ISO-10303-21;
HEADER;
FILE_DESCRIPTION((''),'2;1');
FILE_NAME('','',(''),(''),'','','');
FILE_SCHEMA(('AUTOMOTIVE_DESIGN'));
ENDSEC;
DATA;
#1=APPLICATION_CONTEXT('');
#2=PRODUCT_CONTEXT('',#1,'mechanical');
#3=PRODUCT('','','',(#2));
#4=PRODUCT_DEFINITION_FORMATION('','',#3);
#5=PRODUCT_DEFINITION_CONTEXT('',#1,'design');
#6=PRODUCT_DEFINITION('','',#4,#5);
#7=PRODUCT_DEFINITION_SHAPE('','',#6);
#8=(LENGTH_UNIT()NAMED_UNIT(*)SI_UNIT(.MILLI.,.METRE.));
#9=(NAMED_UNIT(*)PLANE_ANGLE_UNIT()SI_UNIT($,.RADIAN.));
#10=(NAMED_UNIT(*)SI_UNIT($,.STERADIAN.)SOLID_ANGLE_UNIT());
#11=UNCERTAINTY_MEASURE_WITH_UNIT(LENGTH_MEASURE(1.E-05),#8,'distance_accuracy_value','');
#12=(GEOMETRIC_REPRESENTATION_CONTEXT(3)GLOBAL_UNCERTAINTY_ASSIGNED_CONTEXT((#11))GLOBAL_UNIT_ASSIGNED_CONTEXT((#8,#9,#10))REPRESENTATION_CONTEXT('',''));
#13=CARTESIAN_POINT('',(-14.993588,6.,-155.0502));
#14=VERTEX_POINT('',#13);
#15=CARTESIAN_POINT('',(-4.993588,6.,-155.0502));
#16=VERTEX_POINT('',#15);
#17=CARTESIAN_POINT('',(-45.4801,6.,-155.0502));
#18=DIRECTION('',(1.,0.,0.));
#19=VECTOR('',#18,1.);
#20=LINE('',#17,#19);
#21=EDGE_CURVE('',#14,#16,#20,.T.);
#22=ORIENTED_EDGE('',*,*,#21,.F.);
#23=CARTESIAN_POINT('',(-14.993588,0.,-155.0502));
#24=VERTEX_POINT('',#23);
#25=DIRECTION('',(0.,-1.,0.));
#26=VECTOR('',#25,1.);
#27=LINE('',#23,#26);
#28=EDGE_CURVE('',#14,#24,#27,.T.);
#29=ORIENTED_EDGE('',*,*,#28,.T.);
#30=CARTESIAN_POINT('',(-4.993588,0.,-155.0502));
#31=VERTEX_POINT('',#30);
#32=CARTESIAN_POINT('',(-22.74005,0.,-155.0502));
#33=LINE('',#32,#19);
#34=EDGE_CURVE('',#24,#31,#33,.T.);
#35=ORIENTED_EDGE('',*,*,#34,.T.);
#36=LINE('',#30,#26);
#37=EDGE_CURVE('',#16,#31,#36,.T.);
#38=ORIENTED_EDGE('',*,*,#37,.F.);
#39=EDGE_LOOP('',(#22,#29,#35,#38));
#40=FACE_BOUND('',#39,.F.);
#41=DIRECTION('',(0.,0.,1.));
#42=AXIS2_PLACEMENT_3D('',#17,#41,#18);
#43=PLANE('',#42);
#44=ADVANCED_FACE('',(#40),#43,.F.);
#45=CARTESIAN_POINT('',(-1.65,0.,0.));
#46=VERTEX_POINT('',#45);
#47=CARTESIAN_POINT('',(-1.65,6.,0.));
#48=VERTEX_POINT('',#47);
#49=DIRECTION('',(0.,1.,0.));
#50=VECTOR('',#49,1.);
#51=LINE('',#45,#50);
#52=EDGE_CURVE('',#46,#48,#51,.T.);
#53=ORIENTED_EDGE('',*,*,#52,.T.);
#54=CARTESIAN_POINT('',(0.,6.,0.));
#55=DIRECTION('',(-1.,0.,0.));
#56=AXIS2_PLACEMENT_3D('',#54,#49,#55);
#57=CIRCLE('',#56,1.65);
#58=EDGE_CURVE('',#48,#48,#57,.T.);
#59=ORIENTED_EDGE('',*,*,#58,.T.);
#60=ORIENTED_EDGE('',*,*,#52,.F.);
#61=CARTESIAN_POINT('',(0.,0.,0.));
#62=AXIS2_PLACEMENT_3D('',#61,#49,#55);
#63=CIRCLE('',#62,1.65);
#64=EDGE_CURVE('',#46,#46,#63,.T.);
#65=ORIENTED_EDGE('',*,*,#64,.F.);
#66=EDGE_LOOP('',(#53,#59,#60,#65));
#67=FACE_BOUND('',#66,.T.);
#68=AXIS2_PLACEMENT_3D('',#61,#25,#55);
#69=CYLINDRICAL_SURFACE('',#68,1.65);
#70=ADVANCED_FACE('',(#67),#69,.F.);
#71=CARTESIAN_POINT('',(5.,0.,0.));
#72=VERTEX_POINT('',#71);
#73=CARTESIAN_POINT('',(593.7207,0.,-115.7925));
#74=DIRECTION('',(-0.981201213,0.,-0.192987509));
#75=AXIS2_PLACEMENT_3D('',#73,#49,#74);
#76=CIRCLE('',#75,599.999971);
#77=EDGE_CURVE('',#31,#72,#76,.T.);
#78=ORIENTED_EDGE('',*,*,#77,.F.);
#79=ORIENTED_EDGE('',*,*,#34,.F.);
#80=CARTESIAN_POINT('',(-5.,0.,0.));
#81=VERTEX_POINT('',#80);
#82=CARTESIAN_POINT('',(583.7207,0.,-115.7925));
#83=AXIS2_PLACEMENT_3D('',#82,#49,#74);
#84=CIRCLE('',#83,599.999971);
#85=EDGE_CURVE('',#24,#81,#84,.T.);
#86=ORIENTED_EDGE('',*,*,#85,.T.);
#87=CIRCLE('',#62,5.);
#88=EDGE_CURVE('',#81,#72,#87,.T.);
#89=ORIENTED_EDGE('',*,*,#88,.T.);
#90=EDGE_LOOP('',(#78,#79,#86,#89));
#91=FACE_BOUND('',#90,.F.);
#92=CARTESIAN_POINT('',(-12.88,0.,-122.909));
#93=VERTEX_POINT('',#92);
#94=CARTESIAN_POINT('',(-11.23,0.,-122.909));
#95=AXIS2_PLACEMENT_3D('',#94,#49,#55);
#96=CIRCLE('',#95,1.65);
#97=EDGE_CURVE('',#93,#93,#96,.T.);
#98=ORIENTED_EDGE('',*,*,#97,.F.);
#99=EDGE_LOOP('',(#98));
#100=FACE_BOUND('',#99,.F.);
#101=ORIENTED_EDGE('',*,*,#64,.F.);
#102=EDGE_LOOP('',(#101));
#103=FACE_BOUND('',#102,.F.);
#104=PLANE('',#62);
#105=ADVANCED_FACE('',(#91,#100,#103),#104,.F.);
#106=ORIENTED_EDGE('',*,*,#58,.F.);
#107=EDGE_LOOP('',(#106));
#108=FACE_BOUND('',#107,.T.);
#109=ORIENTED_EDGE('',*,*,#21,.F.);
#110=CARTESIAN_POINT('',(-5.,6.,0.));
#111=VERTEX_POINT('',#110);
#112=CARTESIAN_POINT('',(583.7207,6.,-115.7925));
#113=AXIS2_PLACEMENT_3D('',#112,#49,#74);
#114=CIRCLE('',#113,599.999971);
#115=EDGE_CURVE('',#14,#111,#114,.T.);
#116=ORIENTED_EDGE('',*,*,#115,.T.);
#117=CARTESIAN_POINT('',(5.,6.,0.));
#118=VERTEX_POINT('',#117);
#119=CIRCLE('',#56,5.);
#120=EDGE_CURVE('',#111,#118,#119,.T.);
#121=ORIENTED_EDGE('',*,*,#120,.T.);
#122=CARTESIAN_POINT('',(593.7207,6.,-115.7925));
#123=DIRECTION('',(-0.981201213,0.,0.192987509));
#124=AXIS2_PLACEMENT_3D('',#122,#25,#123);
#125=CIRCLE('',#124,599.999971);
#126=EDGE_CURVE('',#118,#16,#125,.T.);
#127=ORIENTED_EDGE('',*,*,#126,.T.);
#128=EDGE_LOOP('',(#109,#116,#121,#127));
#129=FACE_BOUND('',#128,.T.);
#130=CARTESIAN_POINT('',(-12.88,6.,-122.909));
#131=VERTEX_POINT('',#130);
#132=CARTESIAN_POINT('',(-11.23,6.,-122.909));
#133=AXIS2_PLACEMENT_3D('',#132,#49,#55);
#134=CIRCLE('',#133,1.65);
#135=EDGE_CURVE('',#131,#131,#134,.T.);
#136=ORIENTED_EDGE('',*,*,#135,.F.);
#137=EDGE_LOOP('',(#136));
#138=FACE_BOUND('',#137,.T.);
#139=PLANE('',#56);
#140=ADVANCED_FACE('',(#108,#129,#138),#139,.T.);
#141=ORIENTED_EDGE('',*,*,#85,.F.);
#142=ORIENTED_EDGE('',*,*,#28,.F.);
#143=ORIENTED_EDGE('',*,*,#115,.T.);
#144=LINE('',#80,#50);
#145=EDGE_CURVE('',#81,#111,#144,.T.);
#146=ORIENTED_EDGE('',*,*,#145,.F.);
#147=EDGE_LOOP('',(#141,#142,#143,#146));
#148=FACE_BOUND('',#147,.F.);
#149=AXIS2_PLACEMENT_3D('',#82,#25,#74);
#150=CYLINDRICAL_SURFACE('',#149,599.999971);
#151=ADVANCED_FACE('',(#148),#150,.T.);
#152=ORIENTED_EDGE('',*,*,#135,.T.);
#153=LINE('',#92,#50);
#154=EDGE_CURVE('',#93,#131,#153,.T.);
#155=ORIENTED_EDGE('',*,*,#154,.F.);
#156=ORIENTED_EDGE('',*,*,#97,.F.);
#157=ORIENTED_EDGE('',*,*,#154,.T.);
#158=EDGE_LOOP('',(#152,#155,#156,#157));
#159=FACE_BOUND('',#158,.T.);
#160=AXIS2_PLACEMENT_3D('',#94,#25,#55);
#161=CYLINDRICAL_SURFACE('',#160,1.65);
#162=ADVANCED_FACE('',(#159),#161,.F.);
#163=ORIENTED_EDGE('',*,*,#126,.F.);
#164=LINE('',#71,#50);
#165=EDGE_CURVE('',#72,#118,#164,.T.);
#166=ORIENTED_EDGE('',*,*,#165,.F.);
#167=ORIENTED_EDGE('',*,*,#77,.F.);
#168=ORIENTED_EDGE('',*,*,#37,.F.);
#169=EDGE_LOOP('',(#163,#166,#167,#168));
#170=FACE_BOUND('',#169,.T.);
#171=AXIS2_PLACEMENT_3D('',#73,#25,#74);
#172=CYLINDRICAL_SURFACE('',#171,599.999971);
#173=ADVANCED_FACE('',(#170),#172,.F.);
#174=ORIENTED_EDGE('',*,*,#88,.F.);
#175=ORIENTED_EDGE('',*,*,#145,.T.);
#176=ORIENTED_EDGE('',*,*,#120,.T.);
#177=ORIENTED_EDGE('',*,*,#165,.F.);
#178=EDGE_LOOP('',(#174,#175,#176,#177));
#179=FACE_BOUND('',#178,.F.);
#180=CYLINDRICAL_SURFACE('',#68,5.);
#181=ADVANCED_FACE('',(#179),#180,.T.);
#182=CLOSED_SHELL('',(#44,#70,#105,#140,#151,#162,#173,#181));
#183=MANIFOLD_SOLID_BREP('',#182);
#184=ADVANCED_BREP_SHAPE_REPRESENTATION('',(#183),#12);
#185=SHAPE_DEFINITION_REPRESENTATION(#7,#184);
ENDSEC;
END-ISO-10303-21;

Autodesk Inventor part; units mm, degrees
ref_plane "YZ Plane" through (0, 0, 0) normal (1, 0, 0) x (0, 1, 0)
ref_plane "XZ Plane" through (0, 0, 0) normal (0, 1, 0) x (-1, 0, 0)
ref_plane "XY Plane" through (0, 0, 0) normal (0, 0, 1) x (1, 0, 0)
sketch "Sketch1" plane through (0, 0, 0) normal (0, 1, 0) x (-1, 0, 0)
  line L0 (0, 0) -> (0, -288.984) construction
  line L1 (5, 0) -> (5, -288.984)
  line L2 (-5, -288.984) -> (-5, 0)
  arc A0 (5, 0) -> (-5, 0) centre (0, 0) ccw
  arc A1 (-5, -288.984) -> (5, -288.984) centre (0, -288.984) ccw
  circle A2 centre (0, 0) radius 1.65
  circle A3 centre (0, -288.984) radius 1.65
  circle A4 centre (0, -231.585) radius 1.65
  arc A5 (-5, -231.585) -> (-5, 0) centre (-593.7207, -115.7925) ccw
  arc A6 (5, -231.585) -> (5, 0) centre (-583.7207, -115.7925) ccw
  circle A7 centre (11.23, -122.909) radius 1.65
  point P0 (0, -144.492)
  dimension "d0" = 3.3
  dimension "d1" = 3.3
  dimension "d2" = 10
  dimension "d3" = 288.984
  dimension "d14" = 3.3
  dimension "d15" = 231.585
  dimension "d18" = 600
  dimension "d19" = 600
  dimension "d20" = 3.3
  dimension "d21" = 122.909
extrude "Extrusion1" add sketch "Sketch1" along normal blind 6 contours L1 A1 L2 A5 | L1 A5 A6 | L1 A5 A0
sketch "Sketch2" plane through (0, 6, 0) normal (0, 1, 0) x (1, 0, 0)
  line L0 (-45.4801, 155.0502) -> (34.3076, 155.0502)
  line L1 (34.3076, 155.0502) -> (34.3076, -18.7731)
  line L2 (34.3076, -18.7731) -> (-45.4801, -18.7731)
  line L3 (-45.4801, -18.7731) -> (-45.4801, 155.0502)
  line L4 (-115.905, 316.254) -> (136.0777, 316.254)
  line L5 (136.0777, 316.254) -> (136.0777, -116.4724)
  line L6 (136.0777, -116.4724) -> (-115.905, -116.4724)
  line L7 (-115.905, -116.4724) -> (-115.905, 316.254)
  point P0 (0, 0)
extrude "Extrusion2" cut sketch "Sketch2" against normal blind 10
properties part number "Part_7_p1"
